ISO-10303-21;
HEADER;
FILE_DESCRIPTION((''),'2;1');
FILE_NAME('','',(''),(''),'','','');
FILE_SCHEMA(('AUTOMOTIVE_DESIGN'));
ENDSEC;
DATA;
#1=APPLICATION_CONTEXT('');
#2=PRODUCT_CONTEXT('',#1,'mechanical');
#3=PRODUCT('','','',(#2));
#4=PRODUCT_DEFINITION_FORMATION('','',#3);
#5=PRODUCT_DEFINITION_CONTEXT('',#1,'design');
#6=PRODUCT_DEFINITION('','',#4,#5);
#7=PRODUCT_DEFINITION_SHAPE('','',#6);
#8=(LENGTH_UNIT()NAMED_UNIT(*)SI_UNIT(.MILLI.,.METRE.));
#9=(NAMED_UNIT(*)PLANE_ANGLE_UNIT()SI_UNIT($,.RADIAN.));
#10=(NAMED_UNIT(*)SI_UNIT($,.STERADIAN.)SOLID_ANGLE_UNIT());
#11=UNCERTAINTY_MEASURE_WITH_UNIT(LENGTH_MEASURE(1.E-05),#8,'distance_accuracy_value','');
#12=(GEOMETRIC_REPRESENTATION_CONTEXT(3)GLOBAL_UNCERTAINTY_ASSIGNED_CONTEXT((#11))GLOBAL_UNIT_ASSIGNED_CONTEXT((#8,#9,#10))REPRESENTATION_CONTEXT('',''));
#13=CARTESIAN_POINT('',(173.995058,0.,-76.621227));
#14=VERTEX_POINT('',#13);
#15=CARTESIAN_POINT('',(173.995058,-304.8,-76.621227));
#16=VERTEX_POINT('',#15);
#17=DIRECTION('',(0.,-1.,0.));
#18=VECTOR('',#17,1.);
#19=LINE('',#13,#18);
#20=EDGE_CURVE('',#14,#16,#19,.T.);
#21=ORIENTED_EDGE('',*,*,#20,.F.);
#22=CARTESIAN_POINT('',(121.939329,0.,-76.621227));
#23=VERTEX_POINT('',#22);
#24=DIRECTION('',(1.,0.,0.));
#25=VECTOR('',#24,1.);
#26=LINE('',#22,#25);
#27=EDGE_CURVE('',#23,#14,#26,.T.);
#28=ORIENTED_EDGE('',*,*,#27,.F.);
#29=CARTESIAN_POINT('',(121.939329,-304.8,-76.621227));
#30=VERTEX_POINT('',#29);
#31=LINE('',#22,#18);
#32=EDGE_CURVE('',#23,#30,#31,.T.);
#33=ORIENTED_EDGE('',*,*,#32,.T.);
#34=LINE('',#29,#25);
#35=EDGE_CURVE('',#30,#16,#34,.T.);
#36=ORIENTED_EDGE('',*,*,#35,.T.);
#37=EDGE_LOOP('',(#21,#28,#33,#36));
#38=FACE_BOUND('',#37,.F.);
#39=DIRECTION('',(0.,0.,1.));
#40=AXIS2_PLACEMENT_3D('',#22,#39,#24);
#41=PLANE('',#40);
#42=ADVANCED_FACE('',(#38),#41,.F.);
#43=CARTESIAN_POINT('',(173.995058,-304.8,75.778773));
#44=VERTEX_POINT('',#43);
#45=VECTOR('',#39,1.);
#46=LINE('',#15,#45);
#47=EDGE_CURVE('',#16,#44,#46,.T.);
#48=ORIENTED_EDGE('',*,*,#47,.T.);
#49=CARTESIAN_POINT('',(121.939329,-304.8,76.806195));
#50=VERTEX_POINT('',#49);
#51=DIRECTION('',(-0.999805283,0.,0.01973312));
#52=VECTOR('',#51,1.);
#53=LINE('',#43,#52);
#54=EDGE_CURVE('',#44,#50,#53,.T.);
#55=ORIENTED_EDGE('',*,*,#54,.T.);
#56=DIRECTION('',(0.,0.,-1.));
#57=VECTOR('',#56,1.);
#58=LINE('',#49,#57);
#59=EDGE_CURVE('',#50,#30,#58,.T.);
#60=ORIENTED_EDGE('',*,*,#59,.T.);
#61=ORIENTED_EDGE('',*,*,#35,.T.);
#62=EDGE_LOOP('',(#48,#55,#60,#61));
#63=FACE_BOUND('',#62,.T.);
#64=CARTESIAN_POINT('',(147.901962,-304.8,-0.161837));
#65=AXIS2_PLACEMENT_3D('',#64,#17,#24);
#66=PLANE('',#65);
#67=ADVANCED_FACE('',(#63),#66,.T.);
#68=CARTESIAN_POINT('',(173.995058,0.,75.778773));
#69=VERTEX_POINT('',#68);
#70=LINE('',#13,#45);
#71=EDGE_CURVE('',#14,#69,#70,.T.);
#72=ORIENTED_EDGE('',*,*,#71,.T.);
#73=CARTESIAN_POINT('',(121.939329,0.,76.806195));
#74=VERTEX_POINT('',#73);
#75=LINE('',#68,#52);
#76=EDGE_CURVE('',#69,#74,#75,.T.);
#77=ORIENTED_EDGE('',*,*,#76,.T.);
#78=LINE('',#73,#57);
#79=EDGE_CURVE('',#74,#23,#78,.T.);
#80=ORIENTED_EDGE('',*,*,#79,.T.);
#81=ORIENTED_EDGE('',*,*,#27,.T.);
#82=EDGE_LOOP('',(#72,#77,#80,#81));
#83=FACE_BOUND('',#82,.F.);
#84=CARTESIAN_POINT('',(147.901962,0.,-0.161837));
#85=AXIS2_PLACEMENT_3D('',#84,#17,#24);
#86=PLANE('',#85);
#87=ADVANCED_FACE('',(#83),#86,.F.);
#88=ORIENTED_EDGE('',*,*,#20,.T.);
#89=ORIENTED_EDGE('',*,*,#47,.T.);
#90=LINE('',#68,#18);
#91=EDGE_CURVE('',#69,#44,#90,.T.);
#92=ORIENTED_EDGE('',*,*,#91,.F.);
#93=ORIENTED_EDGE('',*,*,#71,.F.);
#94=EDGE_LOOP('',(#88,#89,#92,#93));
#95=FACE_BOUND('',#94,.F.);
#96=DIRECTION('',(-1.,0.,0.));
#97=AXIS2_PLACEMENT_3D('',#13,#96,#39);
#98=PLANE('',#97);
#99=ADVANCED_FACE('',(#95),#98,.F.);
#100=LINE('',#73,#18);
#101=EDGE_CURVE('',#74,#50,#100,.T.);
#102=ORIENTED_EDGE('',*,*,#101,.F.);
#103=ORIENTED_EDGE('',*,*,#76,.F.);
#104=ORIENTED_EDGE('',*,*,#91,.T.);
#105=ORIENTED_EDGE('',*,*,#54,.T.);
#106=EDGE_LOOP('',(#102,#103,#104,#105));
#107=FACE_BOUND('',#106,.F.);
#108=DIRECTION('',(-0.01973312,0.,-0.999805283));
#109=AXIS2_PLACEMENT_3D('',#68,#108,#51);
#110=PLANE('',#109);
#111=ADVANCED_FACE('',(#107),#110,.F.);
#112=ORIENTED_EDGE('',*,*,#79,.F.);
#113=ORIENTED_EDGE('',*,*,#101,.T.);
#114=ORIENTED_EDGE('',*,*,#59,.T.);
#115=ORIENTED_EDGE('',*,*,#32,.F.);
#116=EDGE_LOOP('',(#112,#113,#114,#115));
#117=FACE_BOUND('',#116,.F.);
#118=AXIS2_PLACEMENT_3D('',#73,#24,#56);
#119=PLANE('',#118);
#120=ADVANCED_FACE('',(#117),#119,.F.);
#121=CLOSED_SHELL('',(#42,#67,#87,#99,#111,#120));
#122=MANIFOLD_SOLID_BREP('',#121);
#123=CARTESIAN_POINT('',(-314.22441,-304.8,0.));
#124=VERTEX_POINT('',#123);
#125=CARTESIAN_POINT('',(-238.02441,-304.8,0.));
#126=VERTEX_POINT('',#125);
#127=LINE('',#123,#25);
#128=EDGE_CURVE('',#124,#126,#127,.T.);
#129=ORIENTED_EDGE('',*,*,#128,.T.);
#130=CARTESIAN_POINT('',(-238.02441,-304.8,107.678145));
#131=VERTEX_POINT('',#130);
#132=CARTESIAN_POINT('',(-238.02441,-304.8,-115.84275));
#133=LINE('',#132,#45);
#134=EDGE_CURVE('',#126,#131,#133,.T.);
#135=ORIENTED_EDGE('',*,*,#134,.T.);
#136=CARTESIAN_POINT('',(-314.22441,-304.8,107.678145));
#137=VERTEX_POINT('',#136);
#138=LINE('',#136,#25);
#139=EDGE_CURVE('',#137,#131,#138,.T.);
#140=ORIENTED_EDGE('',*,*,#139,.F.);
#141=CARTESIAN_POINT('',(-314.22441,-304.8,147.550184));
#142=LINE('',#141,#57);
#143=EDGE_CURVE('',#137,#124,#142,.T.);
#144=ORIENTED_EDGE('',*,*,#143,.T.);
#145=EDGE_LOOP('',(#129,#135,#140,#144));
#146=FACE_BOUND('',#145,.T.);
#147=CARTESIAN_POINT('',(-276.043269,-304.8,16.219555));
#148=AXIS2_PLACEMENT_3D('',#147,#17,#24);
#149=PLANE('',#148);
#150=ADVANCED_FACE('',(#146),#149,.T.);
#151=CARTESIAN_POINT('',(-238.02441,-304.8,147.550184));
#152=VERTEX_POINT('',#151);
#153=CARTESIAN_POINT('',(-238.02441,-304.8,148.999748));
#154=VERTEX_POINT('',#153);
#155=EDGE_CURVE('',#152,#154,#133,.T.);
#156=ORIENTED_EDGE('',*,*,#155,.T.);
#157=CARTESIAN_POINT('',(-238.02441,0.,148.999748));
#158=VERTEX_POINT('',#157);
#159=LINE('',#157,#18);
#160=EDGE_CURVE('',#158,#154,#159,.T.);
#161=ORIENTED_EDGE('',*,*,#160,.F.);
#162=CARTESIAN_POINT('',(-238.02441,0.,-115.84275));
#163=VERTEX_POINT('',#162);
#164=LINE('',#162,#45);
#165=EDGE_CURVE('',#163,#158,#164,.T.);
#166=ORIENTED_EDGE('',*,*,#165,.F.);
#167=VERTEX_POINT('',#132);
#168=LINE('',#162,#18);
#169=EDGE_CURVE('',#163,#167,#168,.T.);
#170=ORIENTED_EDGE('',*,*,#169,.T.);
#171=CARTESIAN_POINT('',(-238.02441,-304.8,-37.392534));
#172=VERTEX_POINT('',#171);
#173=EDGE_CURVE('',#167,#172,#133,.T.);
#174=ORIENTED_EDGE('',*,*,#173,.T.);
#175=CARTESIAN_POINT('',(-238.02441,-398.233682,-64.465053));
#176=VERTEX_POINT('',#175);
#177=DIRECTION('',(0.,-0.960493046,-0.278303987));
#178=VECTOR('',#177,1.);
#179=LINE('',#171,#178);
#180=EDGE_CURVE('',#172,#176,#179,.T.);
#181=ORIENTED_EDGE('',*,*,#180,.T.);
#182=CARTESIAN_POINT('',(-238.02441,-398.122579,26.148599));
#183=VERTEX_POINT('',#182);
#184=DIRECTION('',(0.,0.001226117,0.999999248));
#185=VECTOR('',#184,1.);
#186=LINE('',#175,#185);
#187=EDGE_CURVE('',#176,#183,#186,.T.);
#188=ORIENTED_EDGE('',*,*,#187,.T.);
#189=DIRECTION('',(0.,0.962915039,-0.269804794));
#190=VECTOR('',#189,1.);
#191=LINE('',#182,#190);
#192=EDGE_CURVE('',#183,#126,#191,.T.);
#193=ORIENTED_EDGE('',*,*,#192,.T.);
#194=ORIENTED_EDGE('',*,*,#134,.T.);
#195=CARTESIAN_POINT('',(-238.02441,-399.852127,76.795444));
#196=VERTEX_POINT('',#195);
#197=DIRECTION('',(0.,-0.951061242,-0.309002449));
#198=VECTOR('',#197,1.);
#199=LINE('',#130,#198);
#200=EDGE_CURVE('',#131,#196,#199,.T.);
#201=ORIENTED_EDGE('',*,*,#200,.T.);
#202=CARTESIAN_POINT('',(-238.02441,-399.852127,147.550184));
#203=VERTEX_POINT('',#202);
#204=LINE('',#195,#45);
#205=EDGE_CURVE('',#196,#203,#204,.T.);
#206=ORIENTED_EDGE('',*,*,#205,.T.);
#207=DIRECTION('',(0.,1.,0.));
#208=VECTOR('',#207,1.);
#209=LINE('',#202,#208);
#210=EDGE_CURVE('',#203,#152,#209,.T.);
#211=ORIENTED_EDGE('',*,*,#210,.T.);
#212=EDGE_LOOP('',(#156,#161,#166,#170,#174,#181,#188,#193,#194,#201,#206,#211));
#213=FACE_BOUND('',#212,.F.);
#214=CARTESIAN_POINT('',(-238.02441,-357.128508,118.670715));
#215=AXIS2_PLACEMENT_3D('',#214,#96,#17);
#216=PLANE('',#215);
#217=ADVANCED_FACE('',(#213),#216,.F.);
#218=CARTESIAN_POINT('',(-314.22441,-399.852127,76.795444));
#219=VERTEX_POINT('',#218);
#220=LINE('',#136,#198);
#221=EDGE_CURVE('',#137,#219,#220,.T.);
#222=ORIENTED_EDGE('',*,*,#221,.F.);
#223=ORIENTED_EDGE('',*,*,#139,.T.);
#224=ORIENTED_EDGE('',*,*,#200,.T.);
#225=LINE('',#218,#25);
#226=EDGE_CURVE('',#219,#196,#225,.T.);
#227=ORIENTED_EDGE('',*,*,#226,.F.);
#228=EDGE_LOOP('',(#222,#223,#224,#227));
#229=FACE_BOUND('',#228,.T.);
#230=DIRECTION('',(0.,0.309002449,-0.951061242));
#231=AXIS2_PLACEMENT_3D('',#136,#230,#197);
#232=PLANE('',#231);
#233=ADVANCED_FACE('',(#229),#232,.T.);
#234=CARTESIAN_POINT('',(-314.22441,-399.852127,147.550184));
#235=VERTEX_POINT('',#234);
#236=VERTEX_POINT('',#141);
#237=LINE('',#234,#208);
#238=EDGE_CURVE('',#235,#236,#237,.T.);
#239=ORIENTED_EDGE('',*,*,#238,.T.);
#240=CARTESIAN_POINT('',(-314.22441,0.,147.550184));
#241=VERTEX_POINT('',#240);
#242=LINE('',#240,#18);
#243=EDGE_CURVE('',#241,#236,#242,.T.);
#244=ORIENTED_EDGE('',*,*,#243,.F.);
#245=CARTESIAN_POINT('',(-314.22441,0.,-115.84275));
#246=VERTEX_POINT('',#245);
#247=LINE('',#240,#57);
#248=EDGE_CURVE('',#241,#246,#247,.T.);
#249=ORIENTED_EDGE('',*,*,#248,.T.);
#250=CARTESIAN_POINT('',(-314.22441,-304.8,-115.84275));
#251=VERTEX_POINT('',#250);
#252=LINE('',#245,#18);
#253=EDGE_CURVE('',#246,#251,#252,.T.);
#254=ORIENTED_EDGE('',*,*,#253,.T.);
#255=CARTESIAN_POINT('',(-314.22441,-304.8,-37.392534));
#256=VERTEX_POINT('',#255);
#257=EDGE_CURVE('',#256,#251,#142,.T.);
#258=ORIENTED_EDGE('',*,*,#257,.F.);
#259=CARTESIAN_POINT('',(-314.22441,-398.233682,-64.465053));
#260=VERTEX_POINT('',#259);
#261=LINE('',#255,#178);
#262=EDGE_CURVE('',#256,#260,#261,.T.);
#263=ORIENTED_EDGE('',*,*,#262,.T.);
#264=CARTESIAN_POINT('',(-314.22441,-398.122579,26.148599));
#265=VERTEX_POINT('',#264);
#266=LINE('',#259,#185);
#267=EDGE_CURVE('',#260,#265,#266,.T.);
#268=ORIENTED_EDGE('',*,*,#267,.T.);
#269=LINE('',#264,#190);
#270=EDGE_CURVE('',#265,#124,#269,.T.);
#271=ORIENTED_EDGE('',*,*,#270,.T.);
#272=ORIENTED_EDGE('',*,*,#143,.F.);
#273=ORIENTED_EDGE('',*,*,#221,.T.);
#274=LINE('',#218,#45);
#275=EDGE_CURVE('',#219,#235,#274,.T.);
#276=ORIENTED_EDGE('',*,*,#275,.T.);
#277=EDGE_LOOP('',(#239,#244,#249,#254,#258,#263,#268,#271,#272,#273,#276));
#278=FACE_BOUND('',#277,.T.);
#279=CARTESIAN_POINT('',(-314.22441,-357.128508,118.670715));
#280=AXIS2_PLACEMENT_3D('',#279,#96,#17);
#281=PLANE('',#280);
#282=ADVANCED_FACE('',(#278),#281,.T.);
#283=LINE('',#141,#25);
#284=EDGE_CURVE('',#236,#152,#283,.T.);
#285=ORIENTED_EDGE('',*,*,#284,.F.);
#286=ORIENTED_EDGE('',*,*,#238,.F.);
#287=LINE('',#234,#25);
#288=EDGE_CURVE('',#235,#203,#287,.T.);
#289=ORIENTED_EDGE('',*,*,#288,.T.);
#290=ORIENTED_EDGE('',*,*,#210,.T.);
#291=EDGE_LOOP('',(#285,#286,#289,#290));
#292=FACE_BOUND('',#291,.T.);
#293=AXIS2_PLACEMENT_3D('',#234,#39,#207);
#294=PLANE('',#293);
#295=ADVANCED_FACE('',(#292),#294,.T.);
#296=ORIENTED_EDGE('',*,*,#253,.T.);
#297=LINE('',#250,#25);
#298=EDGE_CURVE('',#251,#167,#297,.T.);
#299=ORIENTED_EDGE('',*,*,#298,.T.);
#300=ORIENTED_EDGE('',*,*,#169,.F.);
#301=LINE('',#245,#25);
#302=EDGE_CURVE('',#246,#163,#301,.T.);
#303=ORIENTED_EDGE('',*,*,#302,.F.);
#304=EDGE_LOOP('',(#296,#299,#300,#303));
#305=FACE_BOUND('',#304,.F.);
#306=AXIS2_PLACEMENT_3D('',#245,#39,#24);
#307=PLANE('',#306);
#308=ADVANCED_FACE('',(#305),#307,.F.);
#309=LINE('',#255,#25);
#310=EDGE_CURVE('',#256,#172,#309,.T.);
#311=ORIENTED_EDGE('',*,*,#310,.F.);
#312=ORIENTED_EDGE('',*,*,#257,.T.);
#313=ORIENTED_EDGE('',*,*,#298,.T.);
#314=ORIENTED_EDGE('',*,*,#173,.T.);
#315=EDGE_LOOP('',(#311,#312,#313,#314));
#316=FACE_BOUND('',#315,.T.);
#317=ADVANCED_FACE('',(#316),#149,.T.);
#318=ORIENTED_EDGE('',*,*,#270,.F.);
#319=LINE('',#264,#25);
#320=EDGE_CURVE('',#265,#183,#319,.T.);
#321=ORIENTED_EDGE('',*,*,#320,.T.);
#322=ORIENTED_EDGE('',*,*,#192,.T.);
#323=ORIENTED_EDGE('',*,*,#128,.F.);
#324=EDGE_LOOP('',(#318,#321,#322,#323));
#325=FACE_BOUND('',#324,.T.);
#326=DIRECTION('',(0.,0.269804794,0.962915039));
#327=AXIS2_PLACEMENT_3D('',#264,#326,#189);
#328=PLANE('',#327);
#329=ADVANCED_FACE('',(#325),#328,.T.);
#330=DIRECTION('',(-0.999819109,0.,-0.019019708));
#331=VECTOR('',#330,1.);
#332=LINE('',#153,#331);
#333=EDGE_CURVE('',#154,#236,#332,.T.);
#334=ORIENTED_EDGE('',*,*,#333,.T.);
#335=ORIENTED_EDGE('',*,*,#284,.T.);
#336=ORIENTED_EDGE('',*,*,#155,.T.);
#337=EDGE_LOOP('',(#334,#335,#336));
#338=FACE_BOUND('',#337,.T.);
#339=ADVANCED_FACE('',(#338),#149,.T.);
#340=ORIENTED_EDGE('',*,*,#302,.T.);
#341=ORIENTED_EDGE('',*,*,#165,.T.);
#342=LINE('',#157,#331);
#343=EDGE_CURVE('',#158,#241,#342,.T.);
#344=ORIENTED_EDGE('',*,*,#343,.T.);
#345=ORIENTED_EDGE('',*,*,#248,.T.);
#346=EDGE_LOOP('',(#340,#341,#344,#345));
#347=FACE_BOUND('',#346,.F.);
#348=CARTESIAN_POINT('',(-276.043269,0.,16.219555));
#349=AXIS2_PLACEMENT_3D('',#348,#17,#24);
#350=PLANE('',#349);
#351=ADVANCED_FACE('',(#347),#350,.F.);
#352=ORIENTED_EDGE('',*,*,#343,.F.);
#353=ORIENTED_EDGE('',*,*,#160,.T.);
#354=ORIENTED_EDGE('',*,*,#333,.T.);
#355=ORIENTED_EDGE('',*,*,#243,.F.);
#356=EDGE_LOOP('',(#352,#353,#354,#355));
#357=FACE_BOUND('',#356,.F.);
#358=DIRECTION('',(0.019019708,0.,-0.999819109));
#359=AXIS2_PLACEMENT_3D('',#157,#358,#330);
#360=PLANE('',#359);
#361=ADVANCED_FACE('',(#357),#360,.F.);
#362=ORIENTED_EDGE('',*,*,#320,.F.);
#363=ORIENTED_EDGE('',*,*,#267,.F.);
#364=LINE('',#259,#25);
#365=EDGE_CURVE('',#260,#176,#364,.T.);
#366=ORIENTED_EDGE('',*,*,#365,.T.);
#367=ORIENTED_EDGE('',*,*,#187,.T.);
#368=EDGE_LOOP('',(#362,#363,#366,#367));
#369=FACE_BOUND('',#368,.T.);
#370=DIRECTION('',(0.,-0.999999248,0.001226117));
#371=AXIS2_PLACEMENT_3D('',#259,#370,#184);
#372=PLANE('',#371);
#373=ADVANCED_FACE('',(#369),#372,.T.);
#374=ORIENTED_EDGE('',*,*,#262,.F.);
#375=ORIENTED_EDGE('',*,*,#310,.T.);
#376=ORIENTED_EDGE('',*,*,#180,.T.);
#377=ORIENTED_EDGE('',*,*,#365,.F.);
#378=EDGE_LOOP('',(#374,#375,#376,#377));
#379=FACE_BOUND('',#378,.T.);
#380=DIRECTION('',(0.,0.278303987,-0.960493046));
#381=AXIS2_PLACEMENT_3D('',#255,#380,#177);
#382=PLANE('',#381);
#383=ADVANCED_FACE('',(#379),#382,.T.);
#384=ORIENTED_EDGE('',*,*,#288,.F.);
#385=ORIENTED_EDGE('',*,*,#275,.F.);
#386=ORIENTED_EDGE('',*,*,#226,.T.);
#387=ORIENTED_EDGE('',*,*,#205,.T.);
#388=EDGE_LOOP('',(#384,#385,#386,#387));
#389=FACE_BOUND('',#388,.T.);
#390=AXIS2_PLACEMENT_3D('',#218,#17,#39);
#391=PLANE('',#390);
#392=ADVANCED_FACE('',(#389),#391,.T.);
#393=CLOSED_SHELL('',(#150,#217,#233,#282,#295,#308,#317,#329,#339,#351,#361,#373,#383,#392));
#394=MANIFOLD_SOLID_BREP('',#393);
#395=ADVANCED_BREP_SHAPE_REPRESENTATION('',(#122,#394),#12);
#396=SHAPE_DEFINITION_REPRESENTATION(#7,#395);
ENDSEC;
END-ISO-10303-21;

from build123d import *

# Parameters (mm, degrees)
F1_DEPTH = 304.8
F3_DEPTH = 304.8
F5_DEPTH = 76.2
F7_DEPTH = 76.2


with BuildPart() as f1:
    # F0 (on Front) → F1 (new body)
    with BuildSketch(Plane.XZ):
        Polygon((173.995058, 75.778773), (121.939329, 76.806195), (121.939329, -76.621227), (173.995058, -76.621227), align=None)
    extrude(amount=F1_DEPTH)


with BuildPart() as f3:
    # F2 (on Front) → F3 (new body)
    with BuildSketch(Plane.XZ):
        Polygon((-238.02441, 148.999748), (-314.22441, 147.550184), (-314.22441, -115.84275), (-238.02441, -115.84275), align=None)
    extrude(amount=F3_DEPTH)

    # F4 (on face) → F5 (join)
    with BuildSketch(Plane(origin=(-314.22441, 0, 0), x_dir=(0, -1, 0), z_dir=(-1, 0, 0))):
        Polygon((399.852127, 147.550184), (304.8, 147.550184), (304.8, 107.678145), (399.852127, 76.795444), align=None)
    extrude(amount=-F5_DEPTH)

    # F6 (on face) → F7 (join)
    with BuildSketch(Plane(origin=(-314.22441, 0, 0), x_dir=(0, -1, 0), z_dir=(-1, 0, 0))):
        Polygon((398.122579, 26.148599), (304.8, 0), (304.8, -37.392534), (398.233682, -64.465053), align=None)
    extrude(amount=-F7_DEPTH)


solid = Compound([f1.part, f3.part])
